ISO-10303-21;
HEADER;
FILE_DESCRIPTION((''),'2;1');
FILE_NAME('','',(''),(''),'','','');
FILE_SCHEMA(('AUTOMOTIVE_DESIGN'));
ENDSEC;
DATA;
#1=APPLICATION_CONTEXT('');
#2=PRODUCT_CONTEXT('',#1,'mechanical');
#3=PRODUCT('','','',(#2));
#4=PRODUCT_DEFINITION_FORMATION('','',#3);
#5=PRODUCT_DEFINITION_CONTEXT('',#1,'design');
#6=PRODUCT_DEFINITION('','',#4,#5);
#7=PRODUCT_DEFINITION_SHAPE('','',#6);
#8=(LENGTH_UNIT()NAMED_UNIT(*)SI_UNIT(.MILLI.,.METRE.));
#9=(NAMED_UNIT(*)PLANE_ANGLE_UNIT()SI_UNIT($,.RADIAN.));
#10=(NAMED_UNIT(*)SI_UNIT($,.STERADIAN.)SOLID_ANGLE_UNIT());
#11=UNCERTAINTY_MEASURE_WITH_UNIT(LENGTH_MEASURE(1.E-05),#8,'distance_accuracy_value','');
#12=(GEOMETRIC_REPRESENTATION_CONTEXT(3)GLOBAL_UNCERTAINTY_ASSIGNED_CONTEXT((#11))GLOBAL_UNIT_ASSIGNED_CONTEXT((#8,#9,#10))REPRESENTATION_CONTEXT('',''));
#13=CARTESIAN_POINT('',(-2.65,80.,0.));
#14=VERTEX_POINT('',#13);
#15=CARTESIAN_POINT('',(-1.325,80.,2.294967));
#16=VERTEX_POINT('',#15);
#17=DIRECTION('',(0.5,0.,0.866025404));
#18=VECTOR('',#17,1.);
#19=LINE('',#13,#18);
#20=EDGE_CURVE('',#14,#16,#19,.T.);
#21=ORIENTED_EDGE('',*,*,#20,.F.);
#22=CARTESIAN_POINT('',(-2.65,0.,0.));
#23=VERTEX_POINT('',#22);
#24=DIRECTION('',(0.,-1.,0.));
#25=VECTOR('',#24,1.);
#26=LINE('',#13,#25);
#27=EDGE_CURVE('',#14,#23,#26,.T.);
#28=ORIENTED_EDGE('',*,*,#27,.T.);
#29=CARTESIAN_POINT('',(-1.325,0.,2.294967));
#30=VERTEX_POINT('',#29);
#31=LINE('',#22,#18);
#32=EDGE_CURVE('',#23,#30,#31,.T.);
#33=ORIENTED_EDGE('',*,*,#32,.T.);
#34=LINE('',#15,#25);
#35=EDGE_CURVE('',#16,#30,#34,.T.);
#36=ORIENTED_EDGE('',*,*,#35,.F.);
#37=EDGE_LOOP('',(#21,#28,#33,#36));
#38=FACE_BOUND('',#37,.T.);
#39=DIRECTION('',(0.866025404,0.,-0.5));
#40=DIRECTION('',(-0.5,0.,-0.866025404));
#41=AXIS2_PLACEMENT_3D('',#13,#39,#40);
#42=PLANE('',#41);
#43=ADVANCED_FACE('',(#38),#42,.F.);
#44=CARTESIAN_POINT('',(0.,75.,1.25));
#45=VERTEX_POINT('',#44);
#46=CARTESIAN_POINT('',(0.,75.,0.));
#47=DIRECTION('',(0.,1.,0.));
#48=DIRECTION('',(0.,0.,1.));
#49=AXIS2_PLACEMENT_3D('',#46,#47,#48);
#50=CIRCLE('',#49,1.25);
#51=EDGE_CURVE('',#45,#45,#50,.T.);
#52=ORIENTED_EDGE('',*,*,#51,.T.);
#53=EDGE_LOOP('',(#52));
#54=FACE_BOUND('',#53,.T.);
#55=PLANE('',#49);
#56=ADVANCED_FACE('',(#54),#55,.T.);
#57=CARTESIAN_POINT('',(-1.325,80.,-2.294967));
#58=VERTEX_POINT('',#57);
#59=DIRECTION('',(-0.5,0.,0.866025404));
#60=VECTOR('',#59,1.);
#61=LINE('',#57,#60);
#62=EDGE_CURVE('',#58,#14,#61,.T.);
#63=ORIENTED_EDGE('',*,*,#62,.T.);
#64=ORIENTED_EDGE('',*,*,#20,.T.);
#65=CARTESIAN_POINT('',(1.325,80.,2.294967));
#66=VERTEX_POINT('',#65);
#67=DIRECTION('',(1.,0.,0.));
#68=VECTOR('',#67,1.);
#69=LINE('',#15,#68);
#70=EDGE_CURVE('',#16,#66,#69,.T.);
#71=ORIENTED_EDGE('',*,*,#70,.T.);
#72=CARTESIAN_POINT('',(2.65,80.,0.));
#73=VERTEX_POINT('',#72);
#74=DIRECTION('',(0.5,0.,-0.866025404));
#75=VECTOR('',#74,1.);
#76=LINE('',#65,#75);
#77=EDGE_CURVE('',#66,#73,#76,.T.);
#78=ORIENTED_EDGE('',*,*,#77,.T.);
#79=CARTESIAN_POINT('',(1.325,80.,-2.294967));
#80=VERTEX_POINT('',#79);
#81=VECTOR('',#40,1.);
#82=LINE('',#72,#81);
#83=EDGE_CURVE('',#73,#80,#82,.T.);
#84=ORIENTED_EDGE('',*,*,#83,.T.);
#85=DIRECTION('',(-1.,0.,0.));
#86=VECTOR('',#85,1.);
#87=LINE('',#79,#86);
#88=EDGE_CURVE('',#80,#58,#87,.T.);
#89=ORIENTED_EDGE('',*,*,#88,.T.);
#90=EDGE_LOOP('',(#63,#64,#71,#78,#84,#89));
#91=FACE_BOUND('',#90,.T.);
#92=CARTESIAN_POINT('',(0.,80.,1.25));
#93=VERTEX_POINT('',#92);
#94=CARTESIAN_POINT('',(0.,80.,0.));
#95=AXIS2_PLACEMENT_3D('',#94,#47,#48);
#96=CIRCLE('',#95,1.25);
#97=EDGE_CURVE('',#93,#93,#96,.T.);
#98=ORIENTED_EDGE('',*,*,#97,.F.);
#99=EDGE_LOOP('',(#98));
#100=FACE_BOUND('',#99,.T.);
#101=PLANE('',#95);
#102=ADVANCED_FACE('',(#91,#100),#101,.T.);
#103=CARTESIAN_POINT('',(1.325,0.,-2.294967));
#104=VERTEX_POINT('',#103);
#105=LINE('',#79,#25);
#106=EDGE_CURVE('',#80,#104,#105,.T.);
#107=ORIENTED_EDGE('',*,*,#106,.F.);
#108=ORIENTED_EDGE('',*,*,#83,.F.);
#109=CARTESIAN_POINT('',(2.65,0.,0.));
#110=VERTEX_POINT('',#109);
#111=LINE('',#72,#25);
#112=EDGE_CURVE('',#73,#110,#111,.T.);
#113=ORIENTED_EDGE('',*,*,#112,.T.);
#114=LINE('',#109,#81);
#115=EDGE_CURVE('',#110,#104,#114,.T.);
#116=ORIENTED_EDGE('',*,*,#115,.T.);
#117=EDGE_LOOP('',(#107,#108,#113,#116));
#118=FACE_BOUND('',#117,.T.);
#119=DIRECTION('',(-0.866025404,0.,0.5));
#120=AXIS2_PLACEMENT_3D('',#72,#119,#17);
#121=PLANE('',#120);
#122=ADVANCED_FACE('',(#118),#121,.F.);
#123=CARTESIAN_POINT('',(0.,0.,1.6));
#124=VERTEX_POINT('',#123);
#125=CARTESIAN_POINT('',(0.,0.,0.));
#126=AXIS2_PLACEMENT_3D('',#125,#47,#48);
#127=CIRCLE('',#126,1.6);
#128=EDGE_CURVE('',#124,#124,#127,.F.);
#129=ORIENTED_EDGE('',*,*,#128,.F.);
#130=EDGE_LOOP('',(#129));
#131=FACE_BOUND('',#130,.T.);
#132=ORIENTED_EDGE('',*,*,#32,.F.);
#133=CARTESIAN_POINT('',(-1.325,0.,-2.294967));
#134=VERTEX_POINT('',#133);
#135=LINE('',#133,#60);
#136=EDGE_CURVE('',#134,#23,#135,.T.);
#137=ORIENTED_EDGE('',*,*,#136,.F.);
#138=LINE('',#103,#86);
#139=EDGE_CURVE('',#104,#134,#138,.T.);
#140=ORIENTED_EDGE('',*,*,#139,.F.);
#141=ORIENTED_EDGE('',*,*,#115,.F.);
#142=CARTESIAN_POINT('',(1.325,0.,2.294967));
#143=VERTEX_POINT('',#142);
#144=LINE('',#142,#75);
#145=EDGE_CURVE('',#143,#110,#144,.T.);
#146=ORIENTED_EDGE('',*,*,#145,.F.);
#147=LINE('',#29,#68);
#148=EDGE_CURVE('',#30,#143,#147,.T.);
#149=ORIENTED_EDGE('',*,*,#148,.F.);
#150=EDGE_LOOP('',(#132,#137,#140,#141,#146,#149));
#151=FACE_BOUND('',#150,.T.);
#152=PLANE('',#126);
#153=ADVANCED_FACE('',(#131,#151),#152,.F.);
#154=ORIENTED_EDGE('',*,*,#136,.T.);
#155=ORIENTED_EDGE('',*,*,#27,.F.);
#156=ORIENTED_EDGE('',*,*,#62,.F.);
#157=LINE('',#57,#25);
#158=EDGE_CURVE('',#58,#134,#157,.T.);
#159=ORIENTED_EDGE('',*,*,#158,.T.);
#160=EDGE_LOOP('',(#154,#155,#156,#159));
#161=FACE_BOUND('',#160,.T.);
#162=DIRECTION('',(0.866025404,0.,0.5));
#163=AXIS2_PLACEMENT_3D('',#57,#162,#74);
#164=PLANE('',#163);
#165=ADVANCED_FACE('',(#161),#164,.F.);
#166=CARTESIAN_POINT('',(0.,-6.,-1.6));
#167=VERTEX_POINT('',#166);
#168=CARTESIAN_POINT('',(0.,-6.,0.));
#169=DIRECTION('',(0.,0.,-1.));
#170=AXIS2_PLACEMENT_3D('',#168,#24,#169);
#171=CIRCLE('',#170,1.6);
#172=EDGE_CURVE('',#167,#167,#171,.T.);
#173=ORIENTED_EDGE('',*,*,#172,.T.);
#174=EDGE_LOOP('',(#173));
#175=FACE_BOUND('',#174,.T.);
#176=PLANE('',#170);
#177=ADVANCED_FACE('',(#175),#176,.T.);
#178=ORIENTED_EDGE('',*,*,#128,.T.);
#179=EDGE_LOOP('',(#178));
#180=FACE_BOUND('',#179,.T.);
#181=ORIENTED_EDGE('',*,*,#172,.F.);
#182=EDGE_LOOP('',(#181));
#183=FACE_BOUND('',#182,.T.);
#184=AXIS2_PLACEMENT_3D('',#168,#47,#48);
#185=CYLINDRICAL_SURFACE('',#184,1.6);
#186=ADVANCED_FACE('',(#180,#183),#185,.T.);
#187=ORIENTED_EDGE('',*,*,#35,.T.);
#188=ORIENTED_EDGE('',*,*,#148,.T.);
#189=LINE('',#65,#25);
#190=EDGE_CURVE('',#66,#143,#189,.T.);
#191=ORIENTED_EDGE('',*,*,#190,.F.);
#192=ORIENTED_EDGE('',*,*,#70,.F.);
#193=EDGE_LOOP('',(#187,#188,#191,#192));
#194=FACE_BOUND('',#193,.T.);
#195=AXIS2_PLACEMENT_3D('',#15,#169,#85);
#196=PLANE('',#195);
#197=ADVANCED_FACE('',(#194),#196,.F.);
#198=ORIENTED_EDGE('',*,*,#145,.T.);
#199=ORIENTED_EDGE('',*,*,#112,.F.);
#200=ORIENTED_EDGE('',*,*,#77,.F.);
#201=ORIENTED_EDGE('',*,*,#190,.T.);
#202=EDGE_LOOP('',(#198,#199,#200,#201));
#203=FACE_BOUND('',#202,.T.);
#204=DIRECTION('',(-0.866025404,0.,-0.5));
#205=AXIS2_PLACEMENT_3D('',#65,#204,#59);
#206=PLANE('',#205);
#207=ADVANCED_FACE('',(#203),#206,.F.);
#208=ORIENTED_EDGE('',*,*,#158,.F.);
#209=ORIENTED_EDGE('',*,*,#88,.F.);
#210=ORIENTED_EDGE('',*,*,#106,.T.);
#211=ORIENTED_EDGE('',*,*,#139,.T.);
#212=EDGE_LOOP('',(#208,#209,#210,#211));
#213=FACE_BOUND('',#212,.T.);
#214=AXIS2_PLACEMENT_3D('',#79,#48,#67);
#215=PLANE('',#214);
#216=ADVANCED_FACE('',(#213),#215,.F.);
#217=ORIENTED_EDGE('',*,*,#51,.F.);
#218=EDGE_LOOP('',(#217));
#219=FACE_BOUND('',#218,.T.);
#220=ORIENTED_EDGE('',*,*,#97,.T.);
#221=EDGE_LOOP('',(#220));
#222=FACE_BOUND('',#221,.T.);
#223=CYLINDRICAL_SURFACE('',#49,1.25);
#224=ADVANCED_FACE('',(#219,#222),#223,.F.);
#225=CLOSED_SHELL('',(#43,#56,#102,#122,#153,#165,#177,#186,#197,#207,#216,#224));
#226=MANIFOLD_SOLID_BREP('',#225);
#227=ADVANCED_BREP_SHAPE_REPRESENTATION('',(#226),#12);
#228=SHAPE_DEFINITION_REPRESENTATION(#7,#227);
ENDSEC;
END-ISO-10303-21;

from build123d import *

# Parameters (mm, degrees)
EXTRUDE_1_DEPTH     = 80
SKETCH_6_R          = 1.6
EXTRUDE_2_DEPTH     = 6
SKETCH_7_R          = 1.25
CUT_EXTRUDE_1_DEPTH = 5


with BuildPart() as part:
    # 草图4 → 凸台-拉伸1 (new body)
    with BuildSketch(Plane(origin=(0, 0, 0), x_dir=(1, 0, 0), z_dir=(0, 1, 0))):
        Polygon((1.325, -2.29496732), (2.65, 0), (1.325, 2.29496732), (-1.325, 2.29496732), (-2.65, 0), (-1.325, -2.29496732), align=None)
    extrude(amount=EXTRUDE_1_DEPTH)

    # 草图6 → 凸台-拉伸2 (add)
    with BuildSketch(Plane(origin=(0, 0, 0), x_dir=(-1, 0, 0), z_dir=(0, -1, 0))):
        with Locations(Location((0, 0, 0), (0, 0, 270))):
            Circle(SKETCH_6_R)
    extrude(amount=EXTRUDE_2_DEPTH)

    # 草图7 → 切除-拉伸1 (cut)
    with BuildSketch(Plane(origin=(0, 80, 0), x_dir=(1, 0, 0), z_dir=(0, 1, 0))):
        with Locations(Location((0, 0, 0), (0, 0, 270))):
            Circle(SKETCH_7_R)
    extrude(amount=-CUT_EXTRUDE_1_DEPTH, mode=Mode.SUBTRACT)


solid = part.part
